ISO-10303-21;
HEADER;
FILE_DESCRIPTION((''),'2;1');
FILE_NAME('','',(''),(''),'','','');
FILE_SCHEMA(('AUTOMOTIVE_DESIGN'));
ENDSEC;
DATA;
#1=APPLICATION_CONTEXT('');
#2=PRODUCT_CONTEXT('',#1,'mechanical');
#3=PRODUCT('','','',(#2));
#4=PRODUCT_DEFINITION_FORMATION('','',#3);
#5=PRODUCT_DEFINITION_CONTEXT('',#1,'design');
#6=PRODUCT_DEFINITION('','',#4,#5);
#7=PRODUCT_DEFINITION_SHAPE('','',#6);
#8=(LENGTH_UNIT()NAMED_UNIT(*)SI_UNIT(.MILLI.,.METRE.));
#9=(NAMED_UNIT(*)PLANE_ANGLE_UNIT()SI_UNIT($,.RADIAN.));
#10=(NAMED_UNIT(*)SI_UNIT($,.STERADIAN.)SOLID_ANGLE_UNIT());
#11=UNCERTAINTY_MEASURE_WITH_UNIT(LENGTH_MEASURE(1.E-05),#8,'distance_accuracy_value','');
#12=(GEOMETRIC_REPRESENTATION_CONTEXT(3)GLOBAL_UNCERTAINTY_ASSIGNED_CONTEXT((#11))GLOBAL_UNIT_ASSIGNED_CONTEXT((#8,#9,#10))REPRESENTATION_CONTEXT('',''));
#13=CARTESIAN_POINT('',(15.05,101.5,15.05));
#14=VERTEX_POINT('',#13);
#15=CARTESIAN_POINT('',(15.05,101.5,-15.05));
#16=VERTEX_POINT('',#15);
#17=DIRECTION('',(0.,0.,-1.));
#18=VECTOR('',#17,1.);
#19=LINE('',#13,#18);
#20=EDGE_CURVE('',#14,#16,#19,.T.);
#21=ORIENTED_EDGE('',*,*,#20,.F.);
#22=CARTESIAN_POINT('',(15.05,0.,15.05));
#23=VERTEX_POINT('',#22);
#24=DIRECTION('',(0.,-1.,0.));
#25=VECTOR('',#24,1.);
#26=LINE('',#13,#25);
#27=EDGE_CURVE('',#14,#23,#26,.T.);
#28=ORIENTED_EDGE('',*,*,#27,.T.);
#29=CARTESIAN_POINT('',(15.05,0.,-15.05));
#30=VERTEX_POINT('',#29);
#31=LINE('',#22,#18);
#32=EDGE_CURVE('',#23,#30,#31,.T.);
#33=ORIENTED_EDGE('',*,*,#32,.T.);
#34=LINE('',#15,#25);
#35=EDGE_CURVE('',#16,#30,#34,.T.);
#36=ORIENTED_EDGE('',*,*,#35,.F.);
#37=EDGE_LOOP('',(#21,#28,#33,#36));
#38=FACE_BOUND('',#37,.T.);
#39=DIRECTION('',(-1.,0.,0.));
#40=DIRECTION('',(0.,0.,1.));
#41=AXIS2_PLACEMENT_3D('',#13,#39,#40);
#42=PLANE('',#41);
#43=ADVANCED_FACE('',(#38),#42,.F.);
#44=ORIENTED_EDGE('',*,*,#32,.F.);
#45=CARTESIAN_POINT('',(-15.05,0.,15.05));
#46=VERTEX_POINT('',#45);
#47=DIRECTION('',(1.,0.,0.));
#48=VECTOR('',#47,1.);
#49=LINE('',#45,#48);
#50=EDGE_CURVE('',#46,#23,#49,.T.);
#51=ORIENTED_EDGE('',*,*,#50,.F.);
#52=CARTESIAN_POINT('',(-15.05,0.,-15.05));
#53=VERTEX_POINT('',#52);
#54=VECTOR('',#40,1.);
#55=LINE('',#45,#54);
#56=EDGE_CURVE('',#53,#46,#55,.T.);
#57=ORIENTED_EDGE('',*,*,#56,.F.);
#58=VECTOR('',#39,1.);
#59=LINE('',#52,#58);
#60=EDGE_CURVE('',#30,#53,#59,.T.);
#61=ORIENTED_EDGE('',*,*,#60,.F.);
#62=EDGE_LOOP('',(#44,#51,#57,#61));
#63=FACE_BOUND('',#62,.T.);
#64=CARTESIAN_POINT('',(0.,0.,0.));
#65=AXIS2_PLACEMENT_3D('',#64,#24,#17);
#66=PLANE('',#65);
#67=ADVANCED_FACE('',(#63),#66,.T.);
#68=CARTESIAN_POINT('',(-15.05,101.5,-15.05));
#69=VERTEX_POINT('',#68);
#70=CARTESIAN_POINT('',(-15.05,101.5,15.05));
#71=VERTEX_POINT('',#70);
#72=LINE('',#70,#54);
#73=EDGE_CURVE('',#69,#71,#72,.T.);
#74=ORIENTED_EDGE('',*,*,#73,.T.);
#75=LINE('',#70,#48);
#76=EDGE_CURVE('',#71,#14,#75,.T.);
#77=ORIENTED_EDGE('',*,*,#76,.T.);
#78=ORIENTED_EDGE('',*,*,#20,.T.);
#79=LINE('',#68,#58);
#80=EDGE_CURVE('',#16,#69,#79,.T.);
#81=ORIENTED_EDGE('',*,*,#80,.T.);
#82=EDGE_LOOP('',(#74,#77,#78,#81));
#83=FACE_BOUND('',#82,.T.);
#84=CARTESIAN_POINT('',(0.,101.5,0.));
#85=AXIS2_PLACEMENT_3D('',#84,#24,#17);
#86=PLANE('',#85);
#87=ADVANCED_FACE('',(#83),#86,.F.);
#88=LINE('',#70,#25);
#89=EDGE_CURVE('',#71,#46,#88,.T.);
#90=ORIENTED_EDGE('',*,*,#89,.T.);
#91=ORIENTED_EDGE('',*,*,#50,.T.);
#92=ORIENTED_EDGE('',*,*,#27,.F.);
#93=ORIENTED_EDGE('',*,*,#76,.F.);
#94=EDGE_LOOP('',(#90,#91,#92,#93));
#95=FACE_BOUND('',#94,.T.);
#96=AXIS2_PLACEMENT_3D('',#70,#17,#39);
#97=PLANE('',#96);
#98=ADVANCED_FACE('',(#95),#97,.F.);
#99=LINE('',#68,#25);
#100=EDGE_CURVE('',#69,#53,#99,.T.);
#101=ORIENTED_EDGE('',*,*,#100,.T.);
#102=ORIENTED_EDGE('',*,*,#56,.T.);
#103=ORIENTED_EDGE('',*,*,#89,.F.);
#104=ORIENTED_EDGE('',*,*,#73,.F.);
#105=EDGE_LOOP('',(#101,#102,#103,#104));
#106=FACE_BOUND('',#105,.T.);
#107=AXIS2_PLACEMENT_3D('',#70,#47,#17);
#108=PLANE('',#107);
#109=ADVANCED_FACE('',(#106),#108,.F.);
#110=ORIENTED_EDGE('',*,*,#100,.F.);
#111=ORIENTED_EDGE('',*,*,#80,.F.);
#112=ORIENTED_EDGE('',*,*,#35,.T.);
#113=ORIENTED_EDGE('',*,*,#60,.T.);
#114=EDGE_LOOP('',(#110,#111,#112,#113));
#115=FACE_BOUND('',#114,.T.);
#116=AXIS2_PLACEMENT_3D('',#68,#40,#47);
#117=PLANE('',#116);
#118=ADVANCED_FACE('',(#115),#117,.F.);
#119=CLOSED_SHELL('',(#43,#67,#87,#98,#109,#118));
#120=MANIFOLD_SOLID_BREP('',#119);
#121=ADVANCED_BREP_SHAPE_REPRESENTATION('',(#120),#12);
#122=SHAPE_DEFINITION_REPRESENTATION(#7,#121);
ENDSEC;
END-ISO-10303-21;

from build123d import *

# Parameters (mm, degrees)
ESQUISSE1_W        = 30.1
ESQUISSE1_H        = 30.1
BOSS_EXTRU_1_DEPTH = 101.5


with BuildPart() as part:
    # Esquisse1 → Boss.-Extru.1 (new body)
    with BuildSketch(Plane(origin=(0, 0, 0), x_dir=(1, 0, 0), z_dir=(0, 1, 0))):
        Rectangle(ESQUISSE1_W, ESQUISSE1_H)
    extrude(amount=BOSS_EXTRU_1_DEPTH)


solid = part.part
